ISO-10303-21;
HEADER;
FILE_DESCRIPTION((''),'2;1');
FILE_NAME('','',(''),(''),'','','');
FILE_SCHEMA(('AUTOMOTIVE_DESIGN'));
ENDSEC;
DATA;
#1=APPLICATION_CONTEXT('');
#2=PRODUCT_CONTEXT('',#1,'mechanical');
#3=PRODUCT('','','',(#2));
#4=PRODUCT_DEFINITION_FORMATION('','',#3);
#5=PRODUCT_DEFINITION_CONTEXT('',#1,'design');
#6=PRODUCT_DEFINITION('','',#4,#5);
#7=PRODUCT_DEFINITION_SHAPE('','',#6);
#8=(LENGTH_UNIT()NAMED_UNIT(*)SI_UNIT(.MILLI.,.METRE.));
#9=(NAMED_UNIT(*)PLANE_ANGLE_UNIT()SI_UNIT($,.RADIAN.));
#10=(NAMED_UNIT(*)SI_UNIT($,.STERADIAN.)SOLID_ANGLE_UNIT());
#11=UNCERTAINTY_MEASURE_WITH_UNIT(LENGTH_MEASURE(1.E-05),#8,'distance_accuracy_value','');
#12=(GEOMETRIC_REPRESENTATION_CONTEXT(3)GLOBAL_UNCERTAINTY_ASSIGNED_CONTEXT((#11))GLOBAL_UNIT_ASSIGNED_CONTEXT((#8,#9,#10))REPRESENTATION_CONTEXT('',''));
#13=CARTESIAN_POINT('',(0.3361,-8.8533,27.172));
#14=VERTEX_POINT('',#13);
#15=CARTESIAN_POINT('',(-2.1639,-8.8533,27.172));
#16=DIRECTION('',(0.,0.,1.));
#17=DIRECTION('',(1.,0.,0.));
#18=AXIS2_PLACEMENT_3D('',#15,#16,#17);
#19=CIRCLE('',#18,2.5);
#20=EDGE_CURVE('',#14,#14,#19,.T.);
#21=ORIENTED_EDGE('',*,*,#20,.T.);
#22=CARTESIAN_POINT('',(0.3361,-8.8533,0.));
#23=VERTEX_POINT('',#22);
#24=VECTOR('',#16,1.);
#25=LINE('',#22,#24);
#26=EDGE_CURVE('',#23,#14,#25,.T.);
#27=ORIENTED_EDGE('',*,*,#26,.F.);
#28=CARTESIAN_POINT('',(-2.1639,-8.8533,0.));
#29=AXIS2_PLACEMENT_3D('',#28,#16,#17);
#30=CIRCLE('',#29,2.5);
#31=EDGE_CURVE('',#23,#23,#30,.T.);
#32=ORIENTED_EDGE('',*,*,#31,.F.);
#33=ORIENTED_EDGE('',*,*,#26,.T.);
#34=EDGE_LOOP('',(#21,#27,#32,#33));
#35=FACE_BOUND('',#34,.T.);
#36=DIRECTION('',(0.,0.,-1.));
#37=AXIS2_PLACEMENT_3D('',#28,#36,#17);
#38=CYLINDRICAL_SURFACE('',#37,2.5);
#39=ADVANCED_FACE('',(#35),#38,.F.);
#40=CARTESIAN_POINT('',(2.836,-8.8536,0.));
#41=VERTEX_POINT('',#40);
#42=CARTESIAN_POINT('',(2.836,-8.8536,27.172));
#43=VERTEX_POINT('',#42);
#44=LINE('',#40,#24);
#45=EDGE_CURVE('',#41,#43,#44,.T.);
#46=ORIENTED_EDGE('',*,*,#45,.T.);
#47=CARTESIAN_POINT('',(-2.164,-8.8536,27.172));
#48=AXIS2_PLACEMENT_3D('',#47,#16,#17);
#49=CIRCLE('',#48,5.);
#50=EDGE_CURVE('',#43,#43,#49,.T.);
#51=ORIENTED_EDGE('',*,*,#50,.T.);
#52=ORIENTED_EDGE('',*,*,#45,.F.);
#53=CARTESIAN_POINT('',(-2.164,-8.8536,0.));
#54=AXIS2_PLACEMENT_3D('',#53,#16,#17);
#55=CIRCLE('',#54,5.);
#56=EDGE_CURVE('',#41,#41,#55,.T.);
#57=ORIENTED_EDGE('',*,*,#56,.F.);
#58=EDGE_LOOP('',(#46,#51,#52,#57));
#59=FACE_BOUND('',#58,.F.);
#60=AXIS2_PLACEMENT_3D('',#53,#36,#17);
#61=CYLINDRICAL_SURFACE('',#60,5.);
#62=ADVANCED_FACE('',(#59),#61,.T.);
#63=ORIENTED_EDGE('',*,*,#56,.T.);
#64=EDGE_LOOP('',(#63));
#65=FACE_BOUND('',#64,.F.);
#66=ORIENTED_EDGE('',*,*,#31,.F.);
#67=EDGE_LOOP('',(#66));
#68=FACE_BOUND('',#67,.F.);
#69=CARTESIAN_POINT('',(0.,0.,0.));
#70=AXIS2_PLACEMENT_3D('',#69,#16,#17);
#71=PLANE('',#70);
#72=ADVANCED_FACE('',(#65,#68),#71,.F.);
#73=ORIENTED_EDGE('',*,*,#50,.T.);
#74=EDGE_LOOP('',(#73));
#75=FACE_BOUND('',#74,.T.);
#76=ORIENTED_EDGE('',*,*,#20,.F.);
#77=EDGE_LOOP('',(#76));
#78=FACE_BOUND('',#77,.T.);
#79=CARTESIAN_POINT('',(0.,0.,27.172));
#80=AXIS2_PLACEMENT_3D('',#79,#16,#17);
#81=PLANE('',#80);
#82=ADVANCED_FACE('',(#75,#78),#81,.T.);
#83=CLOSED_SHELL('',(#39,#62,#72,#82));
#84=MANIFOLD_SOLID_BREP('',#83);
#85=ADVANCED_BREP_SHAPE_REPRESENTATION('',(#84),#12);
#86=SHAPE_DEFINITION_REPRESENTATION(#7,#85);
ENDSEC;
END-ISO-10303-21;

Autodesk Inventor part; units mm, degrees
ref_plane "YZ Plane" through (0, 0, 0) normal (1, 0, 0) x (0, 1, 0)
ref_plane "XZ Plane" through (0, 0, 0) normal (0, 1, 0) x (-1, 0, 0)
sketch "Sketch1" plane through (0, 0, 0) normal (0, 0, 1) x (1, 0, 0)
  circle A0 centre (-2.1639, -8.8533) radius 2.5 projected
  circle A1 centre (-2.1639, -8.8533) radius 2.5
  circle A2 centre (-2.164, -8.8536) radius 5 projected
  circle A3 centre (-2.164, -8.8536) radius 5
  point P0 (0, 0)
ref_plane "Work Plane1" through (-131.0962, -66.9734, 27.172) normal (0, 0, -1) x (-0.5, 0.866, 0)
extrude "Extrusion1" add sketch "Sketch1" along normal up to surface (27.172 mm away)
properties part number "spacer_2020_node" material "PET Plastic"
